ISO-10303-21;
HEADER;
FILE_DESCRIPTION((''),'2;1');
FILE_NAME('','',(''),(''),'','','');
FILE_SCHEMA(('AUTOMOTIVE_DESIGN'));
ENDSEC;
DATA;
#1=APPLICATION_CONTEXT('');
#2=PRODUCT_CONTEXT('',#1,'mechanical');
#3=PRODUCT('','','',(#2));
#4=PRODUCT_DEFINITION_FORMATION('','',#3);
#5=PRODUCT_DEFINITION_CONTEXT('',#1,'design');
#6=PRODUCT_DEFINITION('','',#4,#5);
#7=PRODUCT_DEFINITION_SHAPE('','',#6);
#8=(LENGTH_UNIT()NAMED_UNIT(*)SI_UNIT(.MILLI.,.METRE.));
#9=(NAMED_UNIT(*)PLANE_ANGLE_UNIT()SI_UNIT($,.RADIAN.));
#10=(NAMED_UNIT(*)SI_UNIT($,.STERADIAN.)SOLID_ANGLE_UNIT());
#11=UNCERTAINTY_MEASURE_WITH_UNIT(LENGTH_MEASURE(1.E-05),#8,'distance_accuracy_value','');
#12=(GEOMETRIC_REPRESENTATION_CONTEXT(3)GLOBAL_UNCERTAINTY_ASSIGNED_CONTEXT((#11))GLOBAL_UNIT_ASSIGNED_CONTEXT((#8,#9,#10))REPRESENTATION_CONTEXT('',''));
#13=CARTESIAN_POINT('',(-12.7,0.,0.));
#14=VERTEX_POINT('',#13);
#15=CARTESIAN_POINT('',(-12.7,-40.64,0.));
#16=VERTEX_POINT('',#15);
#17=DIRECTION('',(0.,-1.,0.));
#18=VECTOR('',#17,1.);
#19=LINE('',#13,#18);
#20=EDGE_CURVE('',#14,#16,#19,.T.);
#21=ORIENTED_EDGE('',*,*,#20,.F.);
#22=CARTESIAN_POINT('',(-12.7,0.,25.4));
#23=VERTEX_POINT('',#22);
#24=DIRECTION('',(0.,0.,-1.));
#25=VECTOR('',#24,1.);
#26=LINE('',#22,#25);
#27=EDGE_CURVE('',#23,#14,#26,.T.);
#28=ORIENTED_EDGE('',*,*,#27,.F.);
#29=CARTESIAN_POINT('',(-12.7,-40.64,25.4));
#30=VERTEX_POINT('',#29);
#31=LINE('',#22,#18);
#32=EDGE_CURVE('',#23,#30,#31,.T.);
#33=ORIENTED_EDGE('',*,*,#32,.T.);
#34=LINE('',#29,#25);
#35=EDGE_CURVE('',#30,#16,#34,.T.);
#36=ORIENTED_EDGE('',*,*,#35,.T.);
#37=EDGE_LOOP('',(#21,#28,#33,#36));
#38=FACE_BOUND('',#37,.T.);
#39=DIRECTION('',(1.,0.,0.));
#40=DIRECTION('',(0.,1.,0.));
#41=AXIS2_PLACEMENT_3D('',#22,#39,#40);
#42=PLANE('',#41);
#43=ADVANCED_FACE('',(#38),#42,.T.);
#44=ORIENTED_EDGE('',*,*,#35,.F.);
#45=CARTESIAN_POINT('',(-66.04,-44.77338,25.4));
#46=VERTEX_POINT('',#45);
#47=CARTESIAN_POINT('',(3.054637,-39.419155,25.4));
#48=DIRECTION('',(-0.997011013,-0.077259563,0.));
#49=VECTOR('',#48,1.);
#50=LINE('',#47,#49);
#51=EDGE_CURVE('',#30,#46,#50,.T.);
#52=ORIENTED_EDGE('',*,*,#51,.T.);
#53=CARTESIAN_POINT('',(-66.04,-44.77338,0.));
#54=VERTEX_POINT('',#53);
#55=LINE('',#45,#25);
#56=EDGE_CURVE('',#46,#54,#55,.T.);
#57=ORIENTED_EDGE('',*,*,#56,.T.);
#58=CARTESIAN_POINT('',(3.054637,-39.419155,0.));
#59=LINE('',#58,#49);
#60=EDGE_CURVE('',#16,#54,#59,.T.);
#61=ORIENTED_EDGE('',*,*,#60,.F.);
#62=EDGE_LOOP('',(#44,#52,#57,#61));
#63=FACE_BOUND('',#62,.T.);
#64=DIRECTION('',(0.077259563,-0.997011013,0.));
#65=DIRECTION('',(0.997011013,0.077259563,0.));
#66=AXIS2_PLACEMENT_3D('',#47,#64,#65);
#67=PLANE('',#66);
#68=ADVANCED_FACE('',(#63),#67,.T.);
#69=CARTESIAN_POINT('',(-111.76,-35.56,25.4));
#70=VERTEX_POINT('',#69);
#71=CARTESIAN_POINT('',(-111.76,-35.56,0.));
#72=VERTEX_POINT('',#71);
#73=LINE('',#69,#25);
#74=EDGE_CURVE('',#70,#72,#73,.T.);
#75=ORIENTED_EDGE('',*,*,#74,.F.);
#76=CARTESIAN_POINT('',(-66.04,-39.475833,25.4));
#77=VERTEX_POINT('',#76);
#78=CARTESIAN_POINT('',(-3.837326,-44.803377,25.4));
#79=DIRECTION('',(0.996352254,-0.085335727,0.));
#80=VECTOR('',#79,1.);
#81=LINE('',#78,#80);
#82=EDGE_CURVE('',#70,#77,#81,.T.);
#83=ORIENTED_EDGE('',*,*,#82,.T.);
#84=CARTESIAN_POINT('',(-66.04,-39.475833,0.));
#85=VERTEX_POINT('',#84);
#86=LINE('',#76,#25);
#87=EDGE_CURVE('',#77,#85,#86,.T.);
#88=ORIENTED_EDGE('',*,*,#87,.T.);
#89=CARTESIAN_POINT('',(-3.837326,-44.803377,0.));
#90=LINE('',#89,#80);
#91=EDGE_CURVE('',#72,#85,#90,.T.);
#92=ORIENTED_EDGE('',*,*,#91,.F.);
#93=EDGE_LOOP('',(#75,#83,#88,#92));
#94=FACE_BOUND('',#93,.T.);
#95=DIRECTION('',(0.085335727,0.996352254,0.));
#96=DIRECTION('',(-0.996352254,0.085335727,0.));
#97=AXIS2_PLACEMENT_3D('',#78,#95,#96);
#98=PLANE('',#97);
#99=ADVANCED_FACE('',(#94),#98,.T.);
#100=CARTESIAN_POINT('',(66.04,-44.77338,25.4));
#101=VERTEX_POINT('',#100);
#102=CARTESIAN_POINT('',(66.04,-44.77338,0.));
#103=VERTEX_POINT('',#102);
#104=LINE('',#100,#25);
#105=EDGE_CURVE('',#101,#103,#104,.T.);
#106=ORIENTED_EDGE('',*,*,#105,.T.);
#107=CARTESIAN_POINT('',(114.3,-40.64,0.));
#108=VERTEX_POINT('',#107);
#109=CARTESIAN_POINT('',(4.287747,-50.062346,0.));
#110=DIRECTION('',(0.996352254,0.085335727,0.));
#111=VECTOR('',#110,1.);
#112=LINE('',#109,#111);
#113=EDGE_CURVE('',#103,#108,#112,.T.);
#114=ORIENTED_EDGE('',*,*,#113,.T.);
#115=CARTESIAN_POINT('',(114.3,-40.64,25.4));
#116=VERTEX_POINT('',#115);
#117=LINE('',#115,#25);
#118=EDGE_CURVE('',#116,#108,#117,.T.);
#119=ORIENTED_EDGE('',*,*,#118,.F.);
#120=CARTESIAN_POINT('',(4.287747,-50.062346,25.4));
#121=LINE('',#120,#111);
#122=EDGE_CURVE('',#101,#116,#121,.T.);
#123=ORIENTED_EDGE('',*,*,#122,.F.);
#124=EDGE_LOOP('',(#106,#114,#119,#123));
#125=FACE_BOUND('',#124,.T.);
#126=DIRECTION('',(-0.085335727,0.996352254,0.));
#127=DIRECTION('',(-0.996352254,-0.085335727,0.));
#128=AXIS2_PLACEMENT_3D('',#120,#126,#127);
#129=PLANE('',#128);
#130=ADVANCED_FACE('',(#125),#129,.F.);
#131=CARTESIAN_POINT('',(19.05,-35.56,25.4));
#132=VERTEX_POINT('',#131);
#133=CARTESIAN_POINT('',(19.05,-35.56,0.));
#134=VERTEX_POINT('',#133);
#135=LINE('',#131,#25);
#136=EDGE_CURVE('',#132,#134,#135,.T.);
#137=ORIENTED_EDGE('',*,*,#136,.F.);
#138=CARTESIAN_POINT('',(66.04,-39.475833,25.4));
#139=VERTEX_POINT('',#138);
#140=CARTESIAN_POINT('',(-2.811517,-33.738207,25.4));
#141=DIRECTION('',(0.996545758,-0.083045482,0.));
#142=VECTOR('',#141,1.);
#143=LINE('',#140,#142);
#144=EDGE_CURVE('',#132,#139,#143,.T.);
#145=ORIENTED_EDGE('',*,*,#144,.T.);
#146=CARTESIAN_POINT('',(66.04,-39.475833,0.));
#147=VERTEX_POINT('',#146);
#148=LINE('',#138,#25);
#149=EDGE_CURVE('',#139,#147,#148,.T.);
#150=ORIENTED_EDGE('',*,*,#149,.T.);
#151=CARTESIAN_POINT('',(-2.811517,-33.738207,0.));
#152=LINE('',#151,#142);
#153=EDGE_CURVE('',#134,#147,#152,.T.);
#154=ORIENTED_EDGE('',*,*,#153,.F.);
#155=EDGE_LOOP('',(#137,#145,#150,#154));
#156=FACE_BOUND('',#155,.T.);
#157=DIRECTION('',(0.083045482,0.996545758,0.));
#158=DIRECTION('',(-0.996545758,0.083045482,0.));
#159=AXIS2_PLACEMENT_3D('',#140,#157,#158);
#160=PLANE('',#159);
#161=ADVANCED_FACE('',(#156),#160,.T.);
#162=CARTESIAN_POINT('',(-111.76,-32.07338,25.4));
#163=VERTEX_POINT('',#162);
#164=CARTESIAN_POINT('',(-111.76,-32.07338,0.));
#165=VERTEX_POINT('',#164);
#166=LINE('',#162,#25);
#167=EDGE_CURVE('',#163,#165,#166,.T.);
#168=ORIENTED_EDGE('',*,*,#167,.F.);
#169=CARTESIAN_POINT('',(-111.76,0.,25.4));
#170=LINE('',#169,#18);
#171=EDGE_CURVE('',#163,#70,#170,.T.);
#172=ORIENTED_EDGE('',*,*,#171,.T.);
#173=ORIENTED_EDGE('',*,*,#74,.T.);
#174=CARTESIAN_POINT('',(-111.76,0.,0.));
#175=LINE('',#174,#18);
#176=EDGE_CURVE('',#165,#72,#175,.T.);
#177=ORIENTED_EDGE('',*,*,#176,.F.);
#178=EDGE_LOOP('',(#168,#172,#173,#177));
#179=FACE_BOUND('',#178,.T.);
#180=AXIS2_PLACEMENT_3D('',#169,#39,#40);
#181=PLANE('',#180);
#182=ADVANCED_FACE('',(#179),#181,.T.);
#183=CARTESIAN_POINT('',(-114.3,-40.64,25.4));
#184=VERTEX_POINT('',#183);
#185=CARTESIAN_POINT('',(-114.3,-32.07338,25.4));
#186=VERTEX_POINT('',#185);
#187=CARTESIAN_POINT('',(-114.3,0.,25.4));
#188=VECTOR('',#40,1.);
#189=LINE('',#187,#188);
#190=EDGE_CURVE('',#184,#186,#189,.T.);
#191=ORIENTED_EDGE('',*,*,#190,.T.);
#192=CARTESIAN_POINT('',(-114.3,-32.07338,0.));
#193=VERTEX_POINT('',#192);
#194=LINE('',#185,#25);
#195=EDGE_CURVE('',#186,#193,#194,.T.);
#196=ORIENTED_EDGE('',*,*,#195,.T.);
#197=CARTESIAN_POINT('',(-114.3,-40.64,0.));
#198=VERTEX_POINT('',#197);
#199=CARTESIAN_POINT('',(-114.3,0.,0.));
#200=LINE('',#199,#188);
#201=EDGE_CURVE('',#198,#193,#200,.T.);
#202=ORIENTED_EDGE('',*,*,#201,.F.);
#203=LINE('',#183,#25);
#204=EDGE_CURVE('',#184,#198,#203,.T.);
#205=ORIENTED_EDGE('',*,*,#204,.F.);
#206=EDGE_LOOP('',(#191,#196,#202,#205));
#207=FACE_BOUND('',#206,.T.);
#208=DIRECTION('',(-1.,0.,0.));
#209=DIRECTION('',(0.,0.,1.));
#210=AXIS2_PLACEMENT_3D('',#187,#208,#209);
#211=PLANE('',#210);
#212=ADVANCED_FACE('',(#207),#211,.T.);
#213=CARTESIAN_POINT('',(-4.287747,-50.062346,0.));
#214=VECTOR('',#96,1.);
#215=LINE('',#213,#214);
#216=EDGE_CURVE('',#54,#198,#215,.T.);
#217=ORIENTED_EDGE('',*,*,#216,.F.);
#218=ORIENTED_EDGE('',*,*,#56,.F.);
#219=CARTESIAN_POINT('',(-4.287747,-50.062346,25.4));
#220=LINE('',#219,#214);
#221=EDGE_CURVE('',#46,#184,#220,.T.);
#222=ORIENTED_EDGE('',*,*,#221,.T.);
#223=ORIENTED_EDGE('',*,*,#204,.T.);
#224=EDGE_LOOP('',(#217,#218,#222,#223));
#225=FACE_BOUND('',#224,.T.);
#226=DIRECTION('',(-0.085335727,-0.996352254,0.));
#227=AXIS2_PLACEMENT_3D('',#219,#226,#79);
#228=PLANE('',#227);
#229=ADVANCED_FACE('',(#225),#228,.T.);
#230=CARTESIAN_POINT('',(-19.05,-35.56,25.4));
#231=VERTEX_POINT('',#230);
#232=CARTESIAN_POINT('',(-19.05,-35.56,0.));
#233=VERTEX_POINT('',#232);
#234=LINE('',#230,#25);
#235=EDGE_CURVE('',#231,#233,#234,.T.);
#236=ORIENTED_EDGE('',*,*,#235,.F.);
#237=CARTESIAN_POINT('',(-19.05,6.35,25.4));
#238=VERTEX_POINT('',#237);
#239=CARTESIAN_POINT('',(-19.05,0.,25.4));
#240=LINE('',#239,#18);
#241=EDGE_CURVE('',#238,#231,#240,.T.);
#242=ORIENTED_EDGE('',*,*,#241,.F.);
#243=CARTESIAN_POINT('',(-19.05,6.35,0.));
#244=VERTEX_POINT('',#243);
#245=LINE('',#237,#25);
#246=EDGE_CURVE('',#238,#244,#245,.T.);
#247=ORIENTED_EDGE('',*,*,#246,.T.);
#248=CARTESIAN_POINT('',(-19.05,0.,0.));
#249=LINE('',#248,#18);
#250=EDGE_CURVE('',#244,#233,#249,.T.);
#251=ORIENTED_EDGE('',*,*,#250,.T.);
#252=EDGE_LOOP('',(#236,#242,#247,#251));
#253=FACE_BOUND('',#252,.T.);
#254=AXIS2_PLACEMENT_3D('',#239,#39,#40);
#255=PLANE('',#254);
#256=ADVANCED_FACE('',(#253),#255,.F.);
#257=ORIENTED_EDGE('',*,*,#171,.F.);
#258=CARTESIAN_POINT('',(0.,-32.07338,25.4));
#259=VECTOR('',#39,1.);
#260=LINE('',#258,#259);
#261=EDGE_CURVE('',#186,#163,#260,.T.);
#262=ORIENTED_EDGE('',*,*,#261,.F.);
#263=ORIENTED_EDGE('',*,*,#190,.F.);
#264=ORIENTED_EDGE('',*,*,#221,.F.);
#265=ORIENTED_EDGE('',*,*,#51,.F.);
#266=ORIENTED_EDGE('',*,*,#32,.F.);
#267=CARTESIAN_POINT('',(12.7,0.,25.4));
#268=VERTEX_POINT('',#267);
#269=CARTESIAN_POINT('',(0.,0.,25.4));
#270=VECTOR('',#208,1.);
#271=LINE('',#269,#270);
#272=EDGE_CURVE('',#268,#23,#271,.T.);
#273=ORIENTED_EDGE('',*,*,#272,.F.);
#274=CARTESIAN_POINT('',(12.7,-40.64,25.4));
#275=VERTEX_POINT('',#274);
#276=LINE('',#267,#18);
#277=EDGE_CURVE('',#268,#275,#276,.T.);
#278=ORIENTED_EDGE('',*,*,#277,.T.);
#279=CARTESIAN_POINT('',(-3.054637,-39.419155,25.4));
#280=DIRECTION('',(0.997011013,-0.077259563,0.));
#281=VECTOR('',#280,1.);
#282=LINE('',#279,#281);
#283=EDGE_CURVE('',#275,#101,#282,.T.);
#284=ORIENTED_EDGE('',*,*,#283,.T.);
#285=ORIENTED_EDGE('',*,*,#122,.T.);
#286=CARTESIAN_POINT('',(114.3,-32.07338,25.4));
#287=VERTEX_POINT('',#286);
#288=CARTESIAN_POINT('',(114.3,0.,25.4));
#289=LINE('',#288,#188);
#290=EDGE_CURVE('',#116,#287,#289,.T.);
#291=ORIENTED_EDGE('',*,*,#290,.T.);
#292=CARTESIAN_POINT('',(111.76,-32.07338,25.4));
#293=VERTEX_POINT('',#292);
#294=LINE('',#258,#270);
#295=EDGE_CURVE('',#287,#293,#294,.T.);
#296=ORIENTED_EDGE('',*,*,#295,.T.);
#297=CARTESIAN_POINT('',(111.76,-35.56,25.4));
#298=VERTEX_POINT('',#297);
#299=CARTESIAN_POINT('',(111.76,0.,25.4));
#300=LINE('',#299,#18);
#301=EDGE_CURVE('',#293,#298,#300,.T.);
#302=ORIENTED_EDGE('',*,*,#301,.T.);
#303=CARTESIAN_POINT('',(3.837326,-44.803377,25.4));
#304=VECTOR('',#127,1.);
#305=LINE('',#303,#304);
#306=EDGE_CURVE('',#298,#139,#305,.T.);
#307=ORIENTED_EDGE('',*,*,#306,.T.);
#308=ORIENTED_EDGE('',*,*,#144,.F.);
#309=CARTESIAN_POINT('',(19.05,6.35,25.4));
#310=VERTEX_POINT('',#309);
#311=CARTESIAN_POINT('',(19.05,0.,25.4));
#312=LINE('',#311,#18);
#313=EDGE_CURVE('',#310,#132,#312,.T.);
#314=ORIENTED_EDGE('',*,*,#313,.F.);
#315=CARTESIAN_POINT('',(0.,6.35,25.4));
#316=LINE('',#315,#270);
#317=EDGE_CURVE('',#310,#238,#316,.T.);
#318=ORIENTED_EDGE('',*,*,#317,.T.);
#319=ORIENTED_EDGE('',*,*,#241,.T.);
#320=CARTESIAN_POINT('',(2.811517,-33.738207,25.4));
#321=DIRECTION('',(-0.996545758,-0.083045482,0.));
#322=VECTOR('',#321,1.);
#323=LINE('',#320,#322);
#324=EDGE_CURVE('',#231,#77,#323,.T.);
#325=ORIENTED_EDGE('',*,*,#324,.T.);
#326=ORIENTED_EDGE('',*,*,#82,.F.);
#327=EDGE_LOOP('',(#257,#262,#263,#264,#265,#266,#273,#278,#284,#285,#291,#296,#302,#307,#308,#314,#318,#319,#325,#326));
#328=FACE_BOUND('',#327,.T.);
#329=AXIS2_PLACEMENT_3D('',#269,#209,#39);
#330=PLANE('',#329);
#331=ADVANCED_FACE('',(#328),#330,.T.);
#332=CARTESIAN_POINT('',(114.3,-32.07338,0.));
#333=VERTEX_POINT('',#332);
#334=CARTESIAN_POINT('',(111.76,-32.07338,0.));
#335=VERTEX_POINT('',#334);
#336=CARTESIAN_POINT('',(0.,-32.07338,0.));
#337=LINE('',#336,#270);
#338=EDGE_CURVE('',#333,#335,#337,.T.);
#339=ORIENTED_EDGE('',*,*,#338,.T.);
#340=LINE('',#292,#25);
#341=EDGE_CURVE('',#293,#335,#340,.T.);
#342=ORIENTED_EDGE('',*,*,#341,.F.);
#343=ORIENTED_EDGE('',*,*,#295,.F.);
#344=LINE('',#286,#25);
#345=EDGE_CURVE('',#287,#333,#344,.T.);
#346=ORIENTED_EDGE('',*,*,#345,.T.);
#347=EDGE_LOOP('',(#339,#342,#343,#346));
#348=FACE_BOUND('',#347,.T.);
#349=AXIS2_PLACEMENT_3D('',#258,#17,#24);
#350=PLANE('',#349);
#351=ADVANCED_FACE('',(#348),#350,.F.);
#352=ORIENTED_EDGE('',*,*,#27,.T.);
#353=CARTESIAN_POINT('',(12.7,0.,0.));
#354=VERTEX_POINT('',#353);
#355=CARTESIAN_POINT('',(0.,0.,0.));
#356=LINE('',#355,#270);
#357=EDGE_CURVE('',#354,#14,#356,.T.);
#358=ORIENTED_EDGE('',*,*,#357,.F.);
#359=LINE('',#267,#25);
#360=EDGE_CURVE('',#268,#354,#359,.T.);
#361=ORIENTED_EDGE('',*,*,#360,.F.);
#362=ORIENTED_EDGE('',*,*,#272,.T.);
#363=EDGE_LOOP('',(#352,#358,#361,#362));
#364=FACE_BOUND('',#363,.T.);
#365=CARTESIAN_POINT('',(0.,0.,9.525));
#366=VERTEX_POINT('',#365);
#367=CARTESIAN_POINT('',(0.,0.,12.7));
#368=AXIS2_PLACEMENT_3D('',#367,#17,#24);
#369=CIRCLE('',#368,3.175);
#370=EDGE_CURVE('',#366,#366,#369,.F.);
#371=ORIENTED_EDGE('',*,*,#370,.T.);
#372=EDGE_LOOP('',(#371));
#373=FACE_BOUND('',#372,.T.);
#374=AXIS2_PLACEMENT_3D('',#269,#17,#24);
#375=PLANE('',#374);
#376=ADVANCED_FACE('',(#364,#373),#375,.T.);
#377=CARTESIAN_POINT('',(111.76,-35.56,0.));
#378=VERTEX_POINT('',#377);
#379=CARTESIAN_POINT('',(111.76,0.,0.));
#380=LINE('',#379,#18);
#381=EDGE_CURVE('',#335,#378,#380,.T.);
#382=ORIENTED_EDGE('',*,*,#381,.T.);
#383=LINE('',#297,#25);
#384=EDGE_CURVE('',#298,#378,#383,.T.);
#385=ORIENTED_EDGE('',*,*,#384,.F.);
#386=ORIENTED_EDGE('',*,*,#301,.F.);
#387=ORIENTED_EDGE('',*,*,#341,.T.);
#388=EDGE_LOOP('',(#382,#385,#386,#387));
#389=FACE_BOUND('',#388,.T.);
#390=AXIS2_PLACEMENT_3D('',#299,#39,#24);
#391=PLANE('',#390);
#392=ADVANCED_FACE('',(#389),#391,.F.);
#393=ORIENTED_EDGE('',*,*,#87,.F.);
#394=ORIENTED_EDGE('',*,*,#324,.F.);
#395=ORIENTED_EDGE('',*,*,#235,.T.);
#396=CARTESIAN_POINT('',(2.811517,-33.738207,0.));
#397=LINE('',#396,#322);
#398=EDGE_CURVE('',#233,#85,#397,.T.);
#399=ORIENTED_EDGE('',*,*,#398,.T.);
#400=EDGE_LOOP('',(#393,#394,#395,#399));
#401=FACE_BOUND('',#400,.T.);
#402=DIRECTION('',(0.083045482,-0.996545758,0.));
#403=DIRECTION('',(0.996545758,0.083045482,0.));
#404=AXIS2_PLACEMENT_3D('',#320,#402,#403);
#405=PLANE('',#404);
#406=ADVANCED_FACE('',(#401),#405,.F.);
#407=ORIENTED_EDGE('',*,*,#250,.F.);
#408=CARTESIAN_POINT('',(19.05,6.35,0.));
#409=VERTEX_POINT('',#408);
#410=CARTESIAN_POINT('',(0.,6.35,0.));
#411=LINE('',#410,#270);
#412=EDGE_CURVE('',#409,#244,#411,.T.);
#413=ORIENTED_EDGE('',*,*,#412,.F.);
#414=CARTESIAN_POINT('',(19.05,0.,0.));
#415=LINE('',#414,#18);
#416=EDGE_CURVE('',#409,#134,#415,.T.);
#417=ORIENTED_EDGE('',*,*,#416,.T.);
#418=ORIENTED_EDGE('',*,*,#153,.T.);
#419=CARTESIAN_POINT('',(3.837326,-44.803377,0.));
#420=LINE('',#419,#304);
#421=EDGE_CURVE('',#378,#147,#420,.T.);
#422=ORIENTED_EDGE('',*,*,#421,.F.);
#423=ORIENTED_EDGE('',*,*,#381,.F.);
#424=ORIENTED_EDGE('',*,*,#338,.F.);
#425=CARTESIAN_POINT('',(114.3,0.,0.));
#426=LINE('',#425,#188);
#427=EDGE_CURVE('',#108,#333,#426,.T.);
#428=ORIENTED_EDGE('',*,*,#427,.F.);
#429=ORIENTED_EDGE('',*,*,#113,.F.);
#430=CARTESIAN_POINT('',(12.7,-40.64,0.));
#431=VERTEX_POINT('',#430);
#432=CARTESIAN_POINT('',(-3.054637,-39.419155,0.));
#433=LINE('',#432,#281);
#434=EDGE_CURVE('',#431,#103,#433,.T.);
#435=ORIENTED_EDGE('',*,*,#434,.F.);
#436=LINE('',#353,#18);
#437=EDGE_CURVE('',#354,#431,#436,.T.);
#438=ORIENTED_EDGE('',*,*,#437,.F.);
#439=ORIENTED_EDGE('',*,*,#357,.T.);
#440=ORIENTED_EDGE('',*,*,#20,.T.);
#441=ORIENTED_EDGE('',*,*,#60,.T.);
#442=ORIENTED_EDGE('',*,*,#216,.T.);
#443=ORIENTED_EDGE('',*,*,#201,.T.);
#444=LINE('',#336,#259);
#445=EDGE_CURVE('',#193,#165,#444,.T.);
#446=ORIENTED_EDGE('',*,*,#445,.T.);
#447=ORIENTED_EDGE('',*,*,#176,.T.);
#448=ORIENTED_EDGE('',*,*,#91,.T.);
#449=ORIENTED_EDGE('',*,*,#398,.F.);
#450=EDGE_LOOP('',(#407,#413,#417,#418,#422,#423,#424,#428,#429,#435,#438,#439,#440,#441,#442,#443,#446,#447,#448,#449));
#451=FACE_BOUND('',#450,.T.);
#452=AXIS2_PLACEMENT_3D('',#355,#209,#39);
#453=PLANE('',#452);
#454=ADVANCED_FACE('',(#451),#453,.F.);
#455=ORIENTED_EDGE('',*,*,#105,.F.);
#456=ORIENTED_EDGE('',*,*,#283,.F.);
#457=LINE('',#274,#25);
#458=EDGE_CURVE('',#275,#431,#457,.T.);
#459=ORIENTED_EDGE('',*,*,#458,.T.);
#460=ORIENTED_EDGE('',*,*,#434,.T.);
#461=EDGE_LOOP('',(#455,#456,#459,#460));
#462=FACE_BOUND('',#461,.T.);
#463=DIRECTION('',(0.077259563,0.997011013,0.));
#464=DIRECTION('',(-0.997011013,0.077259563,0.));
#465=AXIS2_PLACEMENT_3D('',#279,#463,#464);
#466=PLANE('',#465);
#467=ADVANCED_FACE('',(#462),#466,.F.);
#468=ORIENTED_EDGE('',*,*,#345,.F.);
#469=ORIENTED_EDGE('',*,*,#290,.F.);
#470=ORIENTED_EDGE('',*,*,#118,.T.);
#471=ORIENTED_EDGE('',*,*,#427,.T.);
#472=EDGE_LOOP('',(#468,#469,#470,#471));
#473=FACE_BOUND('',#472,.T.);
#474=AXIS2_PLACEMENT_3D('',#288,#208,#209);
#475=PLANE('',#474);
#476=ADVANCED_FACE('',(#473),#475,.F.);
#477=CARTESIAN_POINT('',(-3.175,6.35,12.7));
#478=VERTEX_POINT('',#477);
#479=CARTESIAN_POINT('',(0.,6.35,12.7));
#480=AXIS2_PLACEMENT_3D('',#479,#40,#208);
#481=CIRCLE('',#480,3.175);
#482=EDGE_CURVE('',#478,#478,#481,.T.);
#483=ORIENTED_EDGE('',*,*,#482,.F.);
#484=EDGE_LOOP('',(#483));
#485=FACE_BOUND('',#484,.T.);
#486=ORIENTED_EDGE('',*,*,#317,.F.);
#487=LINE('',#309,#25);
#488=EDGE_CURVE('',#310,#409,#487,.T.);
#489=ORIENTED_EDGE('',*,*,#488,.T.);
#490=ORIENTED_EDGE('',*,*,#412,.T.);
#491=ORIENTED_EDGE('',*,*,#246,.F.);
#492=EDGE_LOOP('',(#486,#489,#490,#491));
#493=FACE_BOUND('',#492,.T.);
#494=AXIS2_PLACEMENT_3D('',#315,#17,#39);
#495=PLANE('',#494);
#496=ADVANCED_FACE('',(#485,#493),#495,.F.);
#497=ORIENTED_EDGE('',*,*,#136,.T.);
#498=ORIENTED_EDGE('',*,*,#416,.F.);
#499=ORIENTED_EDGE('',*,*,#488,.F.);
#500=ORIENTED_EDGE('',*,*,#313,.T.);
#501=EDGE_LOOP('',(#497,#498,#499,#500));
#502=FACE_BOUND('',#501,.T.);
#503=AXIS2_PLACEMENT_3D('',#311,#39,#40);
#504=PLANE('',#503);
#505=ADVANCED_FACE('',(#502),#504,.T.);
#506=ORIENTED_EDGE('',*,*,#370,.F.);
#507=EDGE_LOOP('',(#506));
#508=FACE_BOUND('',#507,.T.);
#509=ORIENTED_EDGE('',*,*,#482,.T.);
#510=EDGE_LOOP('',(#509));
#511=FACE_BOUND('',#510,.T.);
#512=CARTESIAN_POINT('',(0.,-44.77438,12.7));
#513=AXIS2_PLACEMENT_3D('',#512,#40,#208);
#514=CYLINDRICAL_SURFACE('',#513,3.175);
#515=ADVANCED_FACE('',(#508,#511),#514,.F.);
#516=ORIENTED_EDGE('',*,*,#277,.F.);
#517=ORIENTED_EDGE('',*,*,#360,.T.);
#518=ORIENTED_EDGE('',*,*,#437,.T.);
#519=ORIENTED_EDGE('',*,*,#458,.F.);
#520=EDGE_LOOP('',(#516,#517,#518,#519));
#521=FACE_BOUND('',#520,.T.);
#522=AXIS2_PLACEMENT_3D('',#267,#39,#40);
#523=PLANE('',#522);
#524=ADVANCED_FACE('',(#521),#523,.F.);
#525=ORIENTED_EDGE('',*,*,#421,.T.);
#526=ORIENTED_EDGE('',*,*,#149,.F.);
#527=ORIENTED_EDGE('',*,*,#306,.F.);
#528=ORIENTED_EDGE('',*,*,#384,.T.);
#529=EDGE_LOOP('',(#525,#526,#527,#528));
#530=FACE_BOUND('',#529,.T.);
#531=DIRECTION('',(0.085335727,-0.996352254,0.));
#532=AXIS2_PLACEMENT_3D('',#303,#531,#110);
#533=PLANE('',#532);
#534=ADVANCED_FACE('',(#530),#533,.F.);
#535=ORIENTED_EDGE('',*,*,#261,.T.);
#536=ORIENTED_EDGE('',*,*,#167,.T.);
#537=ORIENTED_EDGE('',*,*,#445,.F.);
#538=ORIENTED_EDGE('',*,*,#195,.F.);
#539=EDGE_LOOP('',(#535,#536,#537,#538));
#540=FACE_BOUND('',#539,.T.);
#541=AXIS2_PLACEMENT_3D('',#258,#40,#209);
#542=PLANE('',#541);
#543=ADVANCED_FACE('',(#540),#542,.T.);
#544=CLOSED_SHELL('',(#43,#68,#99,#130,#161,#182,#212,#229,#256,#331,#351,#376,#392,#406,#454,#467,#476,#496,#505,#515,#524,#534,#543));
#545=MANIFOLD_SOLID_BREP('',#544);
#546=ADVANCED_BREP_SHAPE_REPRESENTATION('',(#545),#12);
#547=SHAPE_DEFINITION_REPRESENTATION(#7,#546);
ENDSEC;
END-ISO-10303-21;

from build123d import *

# Parameters (mm, degrees)
BOSS_EXTRUDE1_DEPTH = 25.4
CUT_EXTRUDE1_REACH  = 129.762
SKETCH3_R           = 3.175


with BuildPart() as part:
    # Sketch2 → Boss-Extrude1 (new body)
    with BuildSketch(Plane.XY):
        Polygon((0, 0), (12.7, 0), (12.7, -40.64), (66.04, -44.773379719), (114.3, -40.64), (114.3, -32.073379719), (111.76, -32.073379719), (111.76, -35.56), (66.04, -39.475833418), (19.05, -35.56), (19.05, 0), (19.05, 6.35), (0, 6.35), align=None)
        Polygon((-12.7, 0), (0, 0), (0, 6.35), (-19.05, 6.35), (-19.05, 0), (-19.05, -35.56), (-66.04, -39.475833418), (-111.76, -35.56), (-111.76, -32.073379719), (-114.3, -32.073379719), (-114.3, -40.64), (-66.04, -44.773379719), (-12.7, -40.64), align=None)
    extrude(amount=BOSS_EXTRUDE1_DEPTH)

    # Sketch3 → Cut-Extrude1 (cut, up to next)
    with BuildSketch(Plane(origin=(0, 6.35, 0), x_dir=(1, 0, 0), z_dir=(0, 1, 0)), mode=Mode.PRIVATE) as cut_extrude1_sk1:
        with Locations(Location((0, -12.7, 0), (0, 0, 180))):
            Circle(SKETCH3_R)
    cut_extrude1_tool1 = extrude(cut_extrude1_sk1.sketch, amount=-CUT_EXTRUDE1_REACH, mode=Mode.PRIVATE) & part.part
    add(cut_extrude1_tool1.solids().sort_by_distance((0, 6.35, 12.7))[0], mode=Mode.SUBTRACT)


solid = part.part
